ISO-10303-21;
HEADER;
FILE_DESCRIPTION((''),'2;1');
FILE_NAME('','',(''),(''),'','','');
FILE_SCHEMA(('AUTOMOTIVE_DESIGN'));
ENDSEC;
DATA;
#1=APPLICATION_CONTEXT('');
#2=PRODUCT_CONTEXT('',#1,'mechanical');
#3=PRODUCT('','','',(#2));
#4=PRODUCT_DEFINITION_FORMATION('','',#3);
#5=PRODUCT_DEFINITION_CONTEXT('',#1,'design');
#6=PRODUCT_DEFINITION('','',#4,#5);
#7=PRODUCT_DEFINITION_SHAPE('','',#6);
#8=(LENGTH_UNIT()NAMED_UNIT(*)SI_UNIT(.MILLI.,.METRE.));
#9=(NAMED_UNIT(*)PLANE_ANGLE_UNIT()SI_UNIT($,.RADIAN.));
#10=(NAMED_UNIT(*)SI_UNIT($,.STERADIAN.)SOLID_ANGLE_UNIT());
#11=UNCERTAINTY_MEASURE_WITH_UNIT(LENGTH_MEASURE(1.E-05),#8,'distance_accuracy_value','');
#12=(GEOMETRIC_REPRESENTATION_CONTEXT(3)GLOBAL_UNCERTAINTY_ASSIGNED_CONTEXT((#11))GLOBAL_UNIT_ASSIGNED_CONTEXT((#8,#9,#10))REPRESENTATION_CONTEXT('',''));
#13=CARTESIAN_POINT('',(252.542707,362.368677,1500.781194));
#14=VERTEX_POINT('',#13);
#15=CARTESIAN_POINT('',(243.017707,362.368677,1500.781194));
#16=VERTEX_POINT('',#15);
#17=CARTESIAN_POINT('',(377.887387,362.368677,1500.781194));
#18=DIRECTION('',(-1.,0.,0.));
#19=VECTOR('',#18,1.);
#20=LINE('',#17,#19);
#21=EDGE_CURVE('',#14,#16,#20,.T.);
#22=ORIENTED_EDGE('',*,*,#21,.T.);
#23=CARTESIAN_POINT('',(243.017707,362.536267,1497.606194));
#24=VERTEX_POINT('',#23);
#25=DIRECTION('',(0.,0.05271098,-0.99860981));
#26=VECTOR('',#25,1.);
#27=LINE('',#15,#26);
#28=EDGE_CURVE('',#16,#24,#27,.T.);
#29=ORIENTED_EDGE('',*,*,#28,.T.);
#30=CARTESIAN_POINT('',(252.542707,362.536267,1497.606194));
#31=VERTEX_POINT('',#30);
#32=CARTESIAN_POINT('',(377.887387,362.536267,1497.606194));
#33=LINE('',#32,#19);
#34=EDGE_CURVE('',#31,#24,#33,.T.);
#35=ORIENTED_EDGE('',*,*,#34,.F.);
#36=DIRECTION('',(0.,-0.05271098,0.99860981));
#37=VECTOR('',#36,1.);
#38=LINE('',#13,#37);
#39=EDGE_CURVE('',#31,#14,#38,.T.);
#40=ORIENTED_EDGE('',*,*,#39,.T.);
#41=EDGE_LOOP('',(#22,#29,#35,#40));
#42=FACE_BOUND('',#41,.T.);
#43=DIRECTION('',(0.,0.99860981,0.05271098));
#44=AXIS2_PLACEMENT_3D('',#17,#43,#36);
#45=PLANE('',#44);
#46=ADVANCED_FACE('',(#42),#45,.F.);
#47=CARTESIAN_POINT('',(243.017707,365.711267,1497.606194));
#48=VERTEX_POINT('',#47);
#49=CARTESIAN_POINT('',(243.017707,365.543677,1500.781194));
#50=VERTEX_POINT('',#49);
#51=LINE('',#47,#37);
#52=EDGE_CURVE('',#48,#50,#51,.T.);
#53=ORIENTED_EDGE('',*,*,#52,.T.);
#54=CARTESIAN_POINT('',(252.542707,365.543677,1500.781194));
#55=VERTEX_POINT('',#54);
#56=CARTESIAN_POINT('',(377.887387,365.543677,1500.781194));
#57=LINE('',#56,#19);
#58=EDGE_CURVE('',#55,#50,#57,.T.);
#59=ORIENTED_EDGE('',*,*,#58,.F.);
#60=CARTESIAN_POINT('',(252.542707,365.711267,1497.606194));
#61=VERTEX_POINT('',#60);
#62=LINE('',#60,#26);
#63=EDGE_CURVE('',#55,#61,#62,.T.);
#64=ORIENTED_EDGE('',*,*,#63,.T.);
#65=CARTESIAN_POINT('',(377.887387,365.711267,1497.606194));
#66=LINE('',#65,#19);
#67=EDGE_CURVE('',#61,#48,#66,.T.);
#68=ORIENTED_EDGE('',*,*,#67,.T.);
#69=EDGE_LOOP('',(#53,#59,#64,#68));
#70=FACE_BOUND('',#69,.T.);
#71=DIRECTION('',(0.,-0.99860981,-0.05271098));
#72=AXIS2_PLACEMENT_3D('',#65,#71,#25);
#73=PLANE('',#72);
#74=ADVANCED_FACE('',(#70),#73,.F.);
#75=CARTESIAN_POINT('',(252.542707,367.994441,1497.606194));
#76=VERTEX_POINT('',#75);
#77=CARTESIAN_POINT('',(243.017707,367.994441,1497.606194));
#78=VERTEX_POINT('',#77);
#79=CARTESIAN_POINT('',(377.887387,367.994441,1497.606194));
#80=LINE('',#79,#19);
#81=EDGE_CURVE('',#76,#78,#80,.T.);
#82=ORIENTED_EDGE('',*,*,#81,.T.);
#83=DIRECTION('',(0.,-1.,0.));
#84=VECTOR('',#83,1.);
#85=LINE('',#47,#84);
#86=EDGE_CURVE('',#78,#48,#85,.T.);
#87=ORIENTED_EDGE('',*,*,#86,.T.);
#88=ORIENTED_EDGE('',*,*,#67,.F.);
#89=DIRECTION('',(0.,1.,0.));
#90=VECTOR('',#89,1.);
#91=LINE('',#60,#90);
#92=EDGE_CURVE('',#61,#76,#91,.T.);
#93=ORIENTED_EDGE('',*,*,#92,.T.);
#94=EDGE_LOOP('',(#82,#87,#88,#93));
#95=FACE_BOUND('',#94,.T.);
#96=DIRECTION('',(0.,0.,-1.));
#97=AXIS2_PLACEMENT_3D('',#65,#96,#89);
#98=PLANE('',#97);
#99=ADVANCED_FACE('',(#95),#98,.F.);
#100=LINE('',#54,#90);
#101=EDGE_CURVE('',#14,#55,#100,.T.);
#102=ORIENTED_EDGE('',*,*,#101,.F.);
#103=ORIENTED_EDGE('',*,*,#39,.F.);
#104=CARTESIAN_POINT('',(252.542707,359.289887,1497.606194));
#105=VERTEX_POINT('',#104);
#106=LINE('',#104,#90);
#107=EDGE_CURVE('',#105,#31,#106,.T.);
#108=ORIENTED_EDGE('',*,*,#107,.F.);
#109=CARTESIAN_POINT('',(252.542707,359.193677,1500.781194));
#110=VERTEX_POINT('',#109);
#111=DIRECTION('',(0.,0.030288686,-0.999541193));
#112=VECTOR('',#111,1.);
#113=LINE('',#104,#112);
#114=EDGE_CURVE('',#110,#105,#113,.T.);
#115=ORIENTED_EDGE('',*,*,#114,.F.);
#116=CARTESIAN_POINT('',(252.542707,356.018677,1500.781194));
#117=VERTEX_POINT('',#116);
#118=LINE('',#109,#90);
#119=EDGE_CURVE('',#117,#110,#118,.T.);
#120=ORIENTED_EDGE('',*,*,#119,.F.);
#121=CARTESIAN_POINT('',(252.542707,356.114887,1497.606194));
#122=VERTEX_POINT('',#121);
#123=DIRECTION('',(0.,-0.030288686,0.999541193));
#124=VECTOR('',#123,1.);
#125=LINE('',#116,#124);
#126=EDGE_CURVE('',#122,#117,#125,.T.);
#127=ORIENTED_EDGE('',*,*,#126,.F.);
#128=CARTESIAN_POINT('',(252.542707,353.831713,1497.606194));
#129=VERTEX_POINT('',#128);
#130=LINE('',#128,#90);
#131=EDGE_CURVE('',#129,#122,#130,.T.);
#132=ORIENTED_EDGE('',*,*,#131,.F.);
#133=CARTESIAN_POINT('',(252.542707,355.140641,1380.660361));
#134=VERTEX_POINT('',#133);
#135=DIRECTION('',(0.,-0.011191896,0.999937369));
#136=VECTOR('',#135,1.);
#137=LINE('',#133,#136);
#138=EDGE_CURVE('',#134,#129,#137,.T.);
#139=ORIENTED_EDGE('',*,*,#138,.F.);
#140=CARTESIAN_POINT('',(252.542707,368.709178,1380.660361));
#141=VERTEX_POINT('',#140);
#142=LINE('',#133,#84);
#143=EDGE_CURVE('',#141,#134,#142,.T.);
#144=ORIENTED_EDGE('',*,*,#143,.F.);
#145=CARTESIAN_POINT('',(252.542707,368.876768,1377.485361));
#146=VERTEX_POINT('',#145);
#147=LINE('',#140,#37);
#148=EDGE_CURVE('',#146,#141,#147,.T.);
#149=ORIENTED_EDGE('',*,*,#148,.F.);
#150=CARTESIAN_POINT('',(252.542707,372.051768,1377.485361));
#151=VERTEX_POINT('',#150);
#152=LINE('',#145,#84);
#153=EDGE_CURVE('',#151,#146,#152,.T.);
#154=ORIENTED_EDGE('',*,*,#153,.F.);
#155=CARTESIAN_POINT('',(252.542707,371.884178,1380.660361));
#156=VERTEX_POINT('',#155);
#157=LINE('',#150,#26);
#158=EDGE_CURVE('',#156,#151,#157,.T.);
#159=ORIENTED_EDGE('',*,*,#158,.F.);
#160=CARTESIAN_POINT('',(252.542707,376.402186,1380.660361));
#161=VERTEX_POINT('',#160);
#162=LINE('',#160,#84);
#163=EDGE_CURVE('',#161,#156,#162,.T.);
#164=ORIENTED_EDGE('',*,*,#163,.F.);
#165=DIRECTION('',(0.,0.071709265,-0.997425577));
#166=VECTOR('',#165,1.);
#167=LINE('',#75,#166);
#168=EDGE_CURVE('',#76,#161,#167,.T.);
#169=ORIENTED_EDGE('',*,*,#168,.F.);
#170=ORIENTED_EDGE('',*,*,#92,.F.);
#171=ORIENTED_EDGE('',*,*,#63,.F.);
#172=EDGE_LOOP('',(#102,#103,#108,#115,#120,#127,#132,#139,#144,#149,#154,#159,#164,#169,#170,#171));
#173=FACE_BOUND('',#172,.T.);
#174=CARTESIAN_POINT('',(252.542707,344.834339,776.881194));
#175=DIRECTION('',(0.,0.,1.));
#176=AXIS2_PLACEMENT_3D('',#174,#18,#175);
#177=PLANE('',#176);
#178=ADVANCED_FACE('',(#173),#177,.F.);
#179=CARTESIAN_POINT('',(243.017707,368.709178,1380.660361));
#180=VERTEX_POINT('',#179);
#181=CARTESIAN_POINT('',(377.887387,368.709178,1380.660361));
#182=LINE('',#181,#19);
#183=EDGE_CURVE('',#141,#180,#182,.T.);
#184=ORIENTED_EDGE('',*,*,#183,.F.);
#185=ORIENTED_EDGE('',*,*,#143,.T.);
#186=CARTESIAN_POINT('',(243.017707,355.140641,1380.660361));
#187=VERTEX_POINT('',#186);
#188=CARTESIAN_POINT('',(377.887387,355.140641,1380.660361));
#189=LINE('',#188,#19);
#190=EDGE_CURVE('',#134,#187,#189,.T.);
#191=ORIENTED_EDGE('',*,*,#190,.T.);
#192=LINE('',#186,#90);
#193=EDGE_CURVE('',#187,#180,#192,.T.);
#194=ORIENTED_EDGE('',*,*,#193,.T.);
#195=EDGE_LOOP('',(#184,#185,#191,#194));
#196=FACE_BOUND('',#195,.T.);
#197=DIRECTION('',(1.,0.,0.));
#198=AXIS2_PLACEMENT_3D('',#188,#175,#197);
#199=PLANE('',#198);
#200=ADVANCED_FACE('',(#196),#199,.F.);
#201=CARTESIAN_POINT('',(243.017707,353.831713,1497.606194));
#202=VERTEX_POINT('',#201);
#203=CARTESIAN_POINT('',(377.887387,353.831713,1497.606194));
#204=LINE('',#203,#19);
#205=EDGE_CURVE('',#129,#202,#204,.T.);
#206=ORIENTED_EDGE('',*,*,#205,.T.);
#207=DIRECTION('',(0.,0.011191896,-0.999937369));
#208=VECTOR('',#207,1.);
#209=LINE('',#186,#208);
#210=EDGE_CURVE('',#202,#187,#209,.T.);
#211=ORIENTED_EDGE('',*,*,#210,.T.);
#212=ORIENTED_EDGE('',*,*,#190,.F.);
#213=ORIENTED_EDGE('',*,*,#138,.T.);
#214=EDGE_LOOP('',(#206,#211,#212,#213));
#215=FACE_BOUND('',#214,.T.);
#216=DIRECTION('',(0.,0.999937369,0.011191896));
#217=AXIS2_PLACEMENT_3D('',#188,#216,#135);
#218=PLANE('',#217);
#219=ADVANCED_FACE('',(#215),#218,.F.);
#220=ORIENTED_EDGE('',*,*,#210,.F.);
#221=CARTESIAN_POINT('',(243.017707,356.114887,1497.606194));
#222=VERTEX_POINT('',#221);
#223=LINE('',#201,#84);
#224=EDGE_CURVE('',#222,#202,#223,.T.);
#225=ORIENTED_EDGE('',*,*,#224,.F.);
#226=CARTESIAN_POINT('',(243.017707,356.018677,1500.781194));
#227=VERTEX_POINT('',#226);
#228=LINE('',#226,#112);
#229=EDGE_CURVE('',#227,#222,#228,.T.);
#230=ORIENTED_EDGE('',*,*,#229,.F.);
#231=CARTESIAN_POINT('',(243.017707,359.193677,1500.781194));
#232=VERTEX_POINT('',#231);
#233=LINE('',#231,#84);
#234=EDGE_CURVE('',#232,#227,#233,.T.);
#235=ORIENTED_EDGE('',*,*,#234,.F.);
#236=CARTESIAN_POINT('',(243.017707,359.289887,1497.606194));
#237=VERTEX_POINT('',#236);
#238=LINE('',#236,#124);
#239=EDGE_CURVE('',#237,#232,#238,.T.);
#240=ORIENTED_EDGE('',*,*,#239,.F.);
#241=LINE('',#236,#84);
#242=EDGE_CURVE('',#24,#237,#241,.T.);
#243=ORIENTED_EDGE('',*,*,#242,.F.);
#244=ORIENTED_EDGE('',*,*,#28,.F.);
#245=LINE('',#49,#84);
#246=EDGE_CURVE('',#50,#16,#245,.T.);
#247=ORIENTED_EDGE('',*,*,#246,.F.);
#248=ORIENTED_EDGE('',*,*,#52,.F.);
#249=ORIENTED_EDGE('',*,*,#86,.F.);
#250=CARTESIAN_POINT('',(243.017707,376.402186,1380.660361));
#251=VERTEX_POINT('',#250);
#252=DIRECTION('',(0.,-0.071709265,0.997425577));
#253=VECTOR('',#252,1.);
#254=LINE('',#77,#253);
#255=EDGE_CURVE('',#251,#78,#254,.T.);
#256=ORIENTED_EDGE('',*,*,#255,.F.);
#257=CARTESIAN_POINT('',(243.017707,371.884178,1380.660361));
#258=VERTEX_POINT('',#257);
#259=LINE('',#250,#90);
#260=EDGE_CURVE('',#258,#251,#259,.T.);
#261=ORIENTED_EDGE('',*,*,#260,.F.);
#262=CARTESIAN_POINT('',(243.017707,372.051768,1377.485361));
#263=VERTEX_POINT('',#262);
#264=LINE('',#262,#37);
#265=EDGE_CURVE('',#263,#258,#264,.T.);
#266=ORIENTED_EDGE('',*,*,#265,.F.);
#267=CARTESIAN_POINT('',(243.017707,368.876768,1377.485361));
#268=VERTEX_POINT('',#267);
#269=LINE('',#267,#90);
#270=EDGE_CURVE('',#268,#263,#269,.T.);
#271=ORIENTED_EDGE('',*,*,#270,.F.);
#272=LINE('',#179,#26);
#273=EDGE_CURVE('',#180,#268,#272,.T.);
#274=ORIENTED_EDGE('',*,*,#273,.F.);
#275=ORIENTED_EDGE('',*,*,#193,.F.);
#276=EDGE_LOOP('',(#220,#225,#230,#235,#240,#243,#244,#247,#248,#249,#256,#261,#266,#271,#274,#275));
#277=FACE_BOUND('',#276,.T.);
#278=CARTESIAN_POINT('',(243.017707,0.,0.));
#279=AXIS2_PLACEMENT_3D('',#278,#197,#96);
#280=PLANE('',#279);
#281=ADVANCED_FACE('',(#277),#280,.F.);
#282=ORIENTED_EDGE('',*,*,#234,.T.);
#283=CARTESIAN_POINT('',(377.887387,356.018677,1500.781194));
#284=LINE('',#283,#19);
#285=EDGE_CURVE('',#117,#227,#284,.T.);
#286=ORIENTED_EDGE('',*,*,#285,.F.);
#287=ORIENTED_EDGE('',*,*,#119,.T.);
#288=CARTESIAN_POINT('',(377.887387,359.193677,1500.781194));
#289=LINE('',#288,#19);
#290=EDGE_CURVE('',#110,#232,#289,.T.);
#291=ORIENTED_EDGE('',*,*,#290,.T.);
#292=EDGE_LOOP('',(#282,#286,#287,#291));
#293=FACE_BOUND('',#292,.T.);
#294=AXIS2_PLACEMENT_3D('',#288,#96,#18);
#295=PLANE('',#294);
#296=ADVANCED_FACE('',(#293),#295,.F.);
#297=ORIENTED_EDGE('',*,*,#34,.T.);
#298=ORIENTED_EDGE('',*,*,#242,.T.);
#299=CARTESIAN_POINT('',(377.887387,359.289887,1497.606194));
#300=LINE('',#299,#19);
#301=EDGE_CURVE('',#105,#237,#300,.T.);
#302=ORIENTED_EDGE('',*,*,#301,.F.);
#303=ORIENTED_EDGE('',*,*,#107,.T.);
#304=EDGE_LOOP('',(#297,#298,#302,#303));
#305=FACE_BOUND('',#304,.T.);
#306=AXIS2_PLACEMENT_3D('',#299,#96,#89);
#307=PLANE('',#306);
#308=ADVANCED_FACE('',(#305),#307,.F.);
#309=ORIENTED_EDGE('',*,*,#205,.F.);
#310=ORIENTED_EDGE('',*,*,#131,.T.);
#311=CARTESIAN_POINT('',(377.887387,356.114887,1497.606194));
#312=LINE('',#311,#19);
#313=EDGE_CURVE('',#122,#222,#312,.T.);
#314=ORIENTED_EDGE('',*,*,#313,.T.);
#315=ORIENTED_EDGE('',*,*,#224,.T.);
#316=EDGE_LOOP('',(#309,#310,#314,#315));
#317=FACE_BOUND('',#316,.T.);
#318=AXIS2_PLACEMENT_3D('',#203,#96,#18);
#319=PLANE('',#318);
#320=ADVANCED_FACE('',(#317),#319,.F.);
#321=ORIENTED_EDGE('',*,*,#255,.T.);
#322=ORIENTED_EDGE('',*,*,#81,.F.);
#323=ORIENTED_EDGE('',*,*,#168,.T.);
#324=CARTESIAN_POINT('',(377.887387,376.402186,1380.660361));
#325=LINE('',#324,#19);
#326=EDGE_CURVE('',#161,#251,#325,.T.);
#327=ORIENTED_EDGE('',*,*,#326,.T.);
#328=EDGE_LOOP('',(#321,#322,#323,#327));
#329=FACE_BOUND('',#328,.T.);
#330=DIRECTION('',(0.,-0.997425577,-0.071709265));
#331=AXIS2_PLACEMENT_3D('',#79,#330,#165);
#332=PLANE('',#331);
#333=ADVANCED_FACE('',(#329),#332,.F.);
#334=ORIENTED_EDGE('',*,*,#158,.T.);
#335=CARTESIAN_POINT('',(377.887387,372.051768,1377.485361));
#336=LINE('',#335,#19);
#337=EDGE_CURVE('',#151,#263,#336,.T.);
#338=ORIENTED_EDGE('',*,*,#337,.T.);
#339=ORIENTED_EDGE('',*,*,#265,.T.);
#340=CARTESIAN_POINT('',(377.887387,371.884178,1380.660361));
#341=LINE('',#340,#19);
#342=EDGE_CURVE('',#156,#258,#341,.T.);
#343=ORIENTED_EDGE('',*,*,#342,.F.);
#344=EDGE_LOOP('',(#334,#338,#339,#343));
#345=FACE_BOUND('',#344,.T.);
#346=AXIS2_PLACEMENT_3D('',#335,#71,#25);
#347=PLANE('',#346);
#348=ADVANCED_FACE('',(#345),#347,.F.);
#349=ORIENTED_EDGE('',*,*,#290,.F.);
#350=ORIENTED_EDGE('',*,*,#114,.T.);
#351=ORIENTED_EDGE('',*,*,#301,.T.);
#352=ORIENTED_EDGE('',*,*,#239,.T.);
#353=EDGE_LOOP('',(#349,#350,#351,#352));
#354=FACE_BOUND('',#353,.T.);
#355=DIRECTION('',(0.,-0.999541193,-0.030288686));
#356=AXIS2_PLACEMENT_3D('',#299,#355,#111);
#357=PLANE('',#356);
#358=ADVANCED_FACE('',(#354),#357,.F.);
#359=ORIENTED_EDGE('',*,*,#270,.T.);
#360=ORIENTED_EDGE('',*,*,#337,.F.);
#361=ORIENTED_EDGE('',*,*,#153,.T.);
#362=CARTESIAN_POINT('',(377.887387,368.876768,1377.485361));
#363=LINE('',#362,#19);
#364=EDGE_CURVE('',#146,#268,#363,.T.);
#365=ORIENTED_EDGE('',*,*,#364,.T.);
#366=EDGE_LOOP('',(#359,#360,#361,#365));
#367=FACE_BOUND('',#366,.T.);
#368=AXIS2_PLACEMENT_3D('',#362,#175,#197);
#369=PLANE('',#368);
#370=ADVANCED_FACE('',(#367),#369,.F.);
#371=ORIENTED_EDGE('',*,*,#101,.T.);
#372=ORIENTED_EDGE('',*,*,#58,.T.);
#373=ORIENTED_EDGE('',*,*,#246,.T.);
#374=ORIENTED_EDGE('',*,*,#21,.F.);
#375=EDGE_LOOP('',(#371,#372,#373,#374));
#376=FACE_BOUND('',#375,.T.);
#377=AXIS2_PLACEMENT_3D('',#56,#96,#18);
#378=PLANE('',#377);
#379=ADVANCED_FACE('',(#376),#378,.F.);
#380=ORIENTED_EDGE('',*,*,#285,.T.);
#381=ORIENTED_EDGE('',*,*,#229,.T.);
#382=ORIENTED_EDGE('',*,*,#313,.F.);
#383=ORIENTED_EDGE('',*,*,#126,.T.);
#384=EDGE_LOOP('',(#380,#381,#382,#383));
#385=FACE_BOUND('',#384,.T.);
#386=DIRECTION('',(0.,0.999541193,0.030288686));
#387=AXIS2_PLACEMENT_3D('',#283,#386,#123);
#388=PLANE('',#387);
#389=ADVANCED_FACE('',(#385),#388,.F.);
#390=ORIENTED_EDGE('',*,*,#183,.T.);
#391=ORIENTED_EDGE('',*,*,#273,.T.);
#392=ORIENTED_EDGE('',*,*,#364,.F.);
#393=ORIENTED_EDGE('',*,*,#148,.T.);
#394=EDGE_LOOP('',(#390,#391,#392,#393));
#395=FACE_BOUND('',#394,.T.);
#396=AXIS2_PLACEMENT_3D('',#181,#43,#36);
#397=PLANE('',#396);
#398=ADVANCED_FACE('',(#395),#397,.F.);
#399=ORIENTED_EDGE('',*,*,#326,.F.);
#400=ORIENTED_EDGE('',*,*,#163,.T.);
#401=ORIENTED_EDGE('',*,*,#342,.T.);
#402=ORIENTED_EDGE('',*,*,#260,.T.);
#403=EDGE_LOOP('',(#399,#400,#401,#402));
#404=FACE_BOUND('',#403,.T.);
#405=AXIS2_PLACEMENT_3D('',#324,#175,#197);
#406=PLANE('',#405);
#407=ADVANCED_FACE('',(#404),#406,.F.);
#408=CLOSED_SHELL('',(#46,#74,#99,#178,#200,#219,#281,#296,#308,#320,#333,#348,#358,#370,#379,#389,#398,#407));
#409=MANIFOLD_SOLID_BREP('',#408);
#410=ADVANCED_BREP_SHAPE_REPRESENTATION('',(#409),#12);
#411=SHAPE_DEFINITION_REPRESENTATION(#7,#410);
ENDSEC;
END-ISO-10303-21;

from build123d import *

# Parameters (mm, degrees)
BOSS_EXTRUDE1_DEPTH = 9.525


with BuildPart() as part:
    # Sketch2 → Boss-Extrude1 (new body)
    with BuildSketch(Plane(origin=(243.017706631, 0, 0), x_dir=(0, 0, -1), z_dir=(1, 0, 0))):
        Polygon((-1497.606194078, 359.289887379), (-1500.781194078, 359.19367666), (-1500.781194078, 356.01867666), (-1497.606194078, 356.114887379), (-1497.606194078, 353.831713156), (-1380.66036066, 355.140640763), (-1380.66036066, 368.70917799), (-1377.48536066, 368.876768334), (-1377.48536066, 372.051768334), (-1380.66036066, 371.88417799), (-1380.66036066, 376.40218609), (-1497.606194078, 367.994441226), (-1497.606194078, 365.711267003), (-1500.781194078, 365.54367666), (-1500.781194078, 362.36867666), (-1497.606194078, 362.536267003), align=None)
    extrude(amount=BOSS_EXTRUDE1_DEPTH)


solid = part.part
